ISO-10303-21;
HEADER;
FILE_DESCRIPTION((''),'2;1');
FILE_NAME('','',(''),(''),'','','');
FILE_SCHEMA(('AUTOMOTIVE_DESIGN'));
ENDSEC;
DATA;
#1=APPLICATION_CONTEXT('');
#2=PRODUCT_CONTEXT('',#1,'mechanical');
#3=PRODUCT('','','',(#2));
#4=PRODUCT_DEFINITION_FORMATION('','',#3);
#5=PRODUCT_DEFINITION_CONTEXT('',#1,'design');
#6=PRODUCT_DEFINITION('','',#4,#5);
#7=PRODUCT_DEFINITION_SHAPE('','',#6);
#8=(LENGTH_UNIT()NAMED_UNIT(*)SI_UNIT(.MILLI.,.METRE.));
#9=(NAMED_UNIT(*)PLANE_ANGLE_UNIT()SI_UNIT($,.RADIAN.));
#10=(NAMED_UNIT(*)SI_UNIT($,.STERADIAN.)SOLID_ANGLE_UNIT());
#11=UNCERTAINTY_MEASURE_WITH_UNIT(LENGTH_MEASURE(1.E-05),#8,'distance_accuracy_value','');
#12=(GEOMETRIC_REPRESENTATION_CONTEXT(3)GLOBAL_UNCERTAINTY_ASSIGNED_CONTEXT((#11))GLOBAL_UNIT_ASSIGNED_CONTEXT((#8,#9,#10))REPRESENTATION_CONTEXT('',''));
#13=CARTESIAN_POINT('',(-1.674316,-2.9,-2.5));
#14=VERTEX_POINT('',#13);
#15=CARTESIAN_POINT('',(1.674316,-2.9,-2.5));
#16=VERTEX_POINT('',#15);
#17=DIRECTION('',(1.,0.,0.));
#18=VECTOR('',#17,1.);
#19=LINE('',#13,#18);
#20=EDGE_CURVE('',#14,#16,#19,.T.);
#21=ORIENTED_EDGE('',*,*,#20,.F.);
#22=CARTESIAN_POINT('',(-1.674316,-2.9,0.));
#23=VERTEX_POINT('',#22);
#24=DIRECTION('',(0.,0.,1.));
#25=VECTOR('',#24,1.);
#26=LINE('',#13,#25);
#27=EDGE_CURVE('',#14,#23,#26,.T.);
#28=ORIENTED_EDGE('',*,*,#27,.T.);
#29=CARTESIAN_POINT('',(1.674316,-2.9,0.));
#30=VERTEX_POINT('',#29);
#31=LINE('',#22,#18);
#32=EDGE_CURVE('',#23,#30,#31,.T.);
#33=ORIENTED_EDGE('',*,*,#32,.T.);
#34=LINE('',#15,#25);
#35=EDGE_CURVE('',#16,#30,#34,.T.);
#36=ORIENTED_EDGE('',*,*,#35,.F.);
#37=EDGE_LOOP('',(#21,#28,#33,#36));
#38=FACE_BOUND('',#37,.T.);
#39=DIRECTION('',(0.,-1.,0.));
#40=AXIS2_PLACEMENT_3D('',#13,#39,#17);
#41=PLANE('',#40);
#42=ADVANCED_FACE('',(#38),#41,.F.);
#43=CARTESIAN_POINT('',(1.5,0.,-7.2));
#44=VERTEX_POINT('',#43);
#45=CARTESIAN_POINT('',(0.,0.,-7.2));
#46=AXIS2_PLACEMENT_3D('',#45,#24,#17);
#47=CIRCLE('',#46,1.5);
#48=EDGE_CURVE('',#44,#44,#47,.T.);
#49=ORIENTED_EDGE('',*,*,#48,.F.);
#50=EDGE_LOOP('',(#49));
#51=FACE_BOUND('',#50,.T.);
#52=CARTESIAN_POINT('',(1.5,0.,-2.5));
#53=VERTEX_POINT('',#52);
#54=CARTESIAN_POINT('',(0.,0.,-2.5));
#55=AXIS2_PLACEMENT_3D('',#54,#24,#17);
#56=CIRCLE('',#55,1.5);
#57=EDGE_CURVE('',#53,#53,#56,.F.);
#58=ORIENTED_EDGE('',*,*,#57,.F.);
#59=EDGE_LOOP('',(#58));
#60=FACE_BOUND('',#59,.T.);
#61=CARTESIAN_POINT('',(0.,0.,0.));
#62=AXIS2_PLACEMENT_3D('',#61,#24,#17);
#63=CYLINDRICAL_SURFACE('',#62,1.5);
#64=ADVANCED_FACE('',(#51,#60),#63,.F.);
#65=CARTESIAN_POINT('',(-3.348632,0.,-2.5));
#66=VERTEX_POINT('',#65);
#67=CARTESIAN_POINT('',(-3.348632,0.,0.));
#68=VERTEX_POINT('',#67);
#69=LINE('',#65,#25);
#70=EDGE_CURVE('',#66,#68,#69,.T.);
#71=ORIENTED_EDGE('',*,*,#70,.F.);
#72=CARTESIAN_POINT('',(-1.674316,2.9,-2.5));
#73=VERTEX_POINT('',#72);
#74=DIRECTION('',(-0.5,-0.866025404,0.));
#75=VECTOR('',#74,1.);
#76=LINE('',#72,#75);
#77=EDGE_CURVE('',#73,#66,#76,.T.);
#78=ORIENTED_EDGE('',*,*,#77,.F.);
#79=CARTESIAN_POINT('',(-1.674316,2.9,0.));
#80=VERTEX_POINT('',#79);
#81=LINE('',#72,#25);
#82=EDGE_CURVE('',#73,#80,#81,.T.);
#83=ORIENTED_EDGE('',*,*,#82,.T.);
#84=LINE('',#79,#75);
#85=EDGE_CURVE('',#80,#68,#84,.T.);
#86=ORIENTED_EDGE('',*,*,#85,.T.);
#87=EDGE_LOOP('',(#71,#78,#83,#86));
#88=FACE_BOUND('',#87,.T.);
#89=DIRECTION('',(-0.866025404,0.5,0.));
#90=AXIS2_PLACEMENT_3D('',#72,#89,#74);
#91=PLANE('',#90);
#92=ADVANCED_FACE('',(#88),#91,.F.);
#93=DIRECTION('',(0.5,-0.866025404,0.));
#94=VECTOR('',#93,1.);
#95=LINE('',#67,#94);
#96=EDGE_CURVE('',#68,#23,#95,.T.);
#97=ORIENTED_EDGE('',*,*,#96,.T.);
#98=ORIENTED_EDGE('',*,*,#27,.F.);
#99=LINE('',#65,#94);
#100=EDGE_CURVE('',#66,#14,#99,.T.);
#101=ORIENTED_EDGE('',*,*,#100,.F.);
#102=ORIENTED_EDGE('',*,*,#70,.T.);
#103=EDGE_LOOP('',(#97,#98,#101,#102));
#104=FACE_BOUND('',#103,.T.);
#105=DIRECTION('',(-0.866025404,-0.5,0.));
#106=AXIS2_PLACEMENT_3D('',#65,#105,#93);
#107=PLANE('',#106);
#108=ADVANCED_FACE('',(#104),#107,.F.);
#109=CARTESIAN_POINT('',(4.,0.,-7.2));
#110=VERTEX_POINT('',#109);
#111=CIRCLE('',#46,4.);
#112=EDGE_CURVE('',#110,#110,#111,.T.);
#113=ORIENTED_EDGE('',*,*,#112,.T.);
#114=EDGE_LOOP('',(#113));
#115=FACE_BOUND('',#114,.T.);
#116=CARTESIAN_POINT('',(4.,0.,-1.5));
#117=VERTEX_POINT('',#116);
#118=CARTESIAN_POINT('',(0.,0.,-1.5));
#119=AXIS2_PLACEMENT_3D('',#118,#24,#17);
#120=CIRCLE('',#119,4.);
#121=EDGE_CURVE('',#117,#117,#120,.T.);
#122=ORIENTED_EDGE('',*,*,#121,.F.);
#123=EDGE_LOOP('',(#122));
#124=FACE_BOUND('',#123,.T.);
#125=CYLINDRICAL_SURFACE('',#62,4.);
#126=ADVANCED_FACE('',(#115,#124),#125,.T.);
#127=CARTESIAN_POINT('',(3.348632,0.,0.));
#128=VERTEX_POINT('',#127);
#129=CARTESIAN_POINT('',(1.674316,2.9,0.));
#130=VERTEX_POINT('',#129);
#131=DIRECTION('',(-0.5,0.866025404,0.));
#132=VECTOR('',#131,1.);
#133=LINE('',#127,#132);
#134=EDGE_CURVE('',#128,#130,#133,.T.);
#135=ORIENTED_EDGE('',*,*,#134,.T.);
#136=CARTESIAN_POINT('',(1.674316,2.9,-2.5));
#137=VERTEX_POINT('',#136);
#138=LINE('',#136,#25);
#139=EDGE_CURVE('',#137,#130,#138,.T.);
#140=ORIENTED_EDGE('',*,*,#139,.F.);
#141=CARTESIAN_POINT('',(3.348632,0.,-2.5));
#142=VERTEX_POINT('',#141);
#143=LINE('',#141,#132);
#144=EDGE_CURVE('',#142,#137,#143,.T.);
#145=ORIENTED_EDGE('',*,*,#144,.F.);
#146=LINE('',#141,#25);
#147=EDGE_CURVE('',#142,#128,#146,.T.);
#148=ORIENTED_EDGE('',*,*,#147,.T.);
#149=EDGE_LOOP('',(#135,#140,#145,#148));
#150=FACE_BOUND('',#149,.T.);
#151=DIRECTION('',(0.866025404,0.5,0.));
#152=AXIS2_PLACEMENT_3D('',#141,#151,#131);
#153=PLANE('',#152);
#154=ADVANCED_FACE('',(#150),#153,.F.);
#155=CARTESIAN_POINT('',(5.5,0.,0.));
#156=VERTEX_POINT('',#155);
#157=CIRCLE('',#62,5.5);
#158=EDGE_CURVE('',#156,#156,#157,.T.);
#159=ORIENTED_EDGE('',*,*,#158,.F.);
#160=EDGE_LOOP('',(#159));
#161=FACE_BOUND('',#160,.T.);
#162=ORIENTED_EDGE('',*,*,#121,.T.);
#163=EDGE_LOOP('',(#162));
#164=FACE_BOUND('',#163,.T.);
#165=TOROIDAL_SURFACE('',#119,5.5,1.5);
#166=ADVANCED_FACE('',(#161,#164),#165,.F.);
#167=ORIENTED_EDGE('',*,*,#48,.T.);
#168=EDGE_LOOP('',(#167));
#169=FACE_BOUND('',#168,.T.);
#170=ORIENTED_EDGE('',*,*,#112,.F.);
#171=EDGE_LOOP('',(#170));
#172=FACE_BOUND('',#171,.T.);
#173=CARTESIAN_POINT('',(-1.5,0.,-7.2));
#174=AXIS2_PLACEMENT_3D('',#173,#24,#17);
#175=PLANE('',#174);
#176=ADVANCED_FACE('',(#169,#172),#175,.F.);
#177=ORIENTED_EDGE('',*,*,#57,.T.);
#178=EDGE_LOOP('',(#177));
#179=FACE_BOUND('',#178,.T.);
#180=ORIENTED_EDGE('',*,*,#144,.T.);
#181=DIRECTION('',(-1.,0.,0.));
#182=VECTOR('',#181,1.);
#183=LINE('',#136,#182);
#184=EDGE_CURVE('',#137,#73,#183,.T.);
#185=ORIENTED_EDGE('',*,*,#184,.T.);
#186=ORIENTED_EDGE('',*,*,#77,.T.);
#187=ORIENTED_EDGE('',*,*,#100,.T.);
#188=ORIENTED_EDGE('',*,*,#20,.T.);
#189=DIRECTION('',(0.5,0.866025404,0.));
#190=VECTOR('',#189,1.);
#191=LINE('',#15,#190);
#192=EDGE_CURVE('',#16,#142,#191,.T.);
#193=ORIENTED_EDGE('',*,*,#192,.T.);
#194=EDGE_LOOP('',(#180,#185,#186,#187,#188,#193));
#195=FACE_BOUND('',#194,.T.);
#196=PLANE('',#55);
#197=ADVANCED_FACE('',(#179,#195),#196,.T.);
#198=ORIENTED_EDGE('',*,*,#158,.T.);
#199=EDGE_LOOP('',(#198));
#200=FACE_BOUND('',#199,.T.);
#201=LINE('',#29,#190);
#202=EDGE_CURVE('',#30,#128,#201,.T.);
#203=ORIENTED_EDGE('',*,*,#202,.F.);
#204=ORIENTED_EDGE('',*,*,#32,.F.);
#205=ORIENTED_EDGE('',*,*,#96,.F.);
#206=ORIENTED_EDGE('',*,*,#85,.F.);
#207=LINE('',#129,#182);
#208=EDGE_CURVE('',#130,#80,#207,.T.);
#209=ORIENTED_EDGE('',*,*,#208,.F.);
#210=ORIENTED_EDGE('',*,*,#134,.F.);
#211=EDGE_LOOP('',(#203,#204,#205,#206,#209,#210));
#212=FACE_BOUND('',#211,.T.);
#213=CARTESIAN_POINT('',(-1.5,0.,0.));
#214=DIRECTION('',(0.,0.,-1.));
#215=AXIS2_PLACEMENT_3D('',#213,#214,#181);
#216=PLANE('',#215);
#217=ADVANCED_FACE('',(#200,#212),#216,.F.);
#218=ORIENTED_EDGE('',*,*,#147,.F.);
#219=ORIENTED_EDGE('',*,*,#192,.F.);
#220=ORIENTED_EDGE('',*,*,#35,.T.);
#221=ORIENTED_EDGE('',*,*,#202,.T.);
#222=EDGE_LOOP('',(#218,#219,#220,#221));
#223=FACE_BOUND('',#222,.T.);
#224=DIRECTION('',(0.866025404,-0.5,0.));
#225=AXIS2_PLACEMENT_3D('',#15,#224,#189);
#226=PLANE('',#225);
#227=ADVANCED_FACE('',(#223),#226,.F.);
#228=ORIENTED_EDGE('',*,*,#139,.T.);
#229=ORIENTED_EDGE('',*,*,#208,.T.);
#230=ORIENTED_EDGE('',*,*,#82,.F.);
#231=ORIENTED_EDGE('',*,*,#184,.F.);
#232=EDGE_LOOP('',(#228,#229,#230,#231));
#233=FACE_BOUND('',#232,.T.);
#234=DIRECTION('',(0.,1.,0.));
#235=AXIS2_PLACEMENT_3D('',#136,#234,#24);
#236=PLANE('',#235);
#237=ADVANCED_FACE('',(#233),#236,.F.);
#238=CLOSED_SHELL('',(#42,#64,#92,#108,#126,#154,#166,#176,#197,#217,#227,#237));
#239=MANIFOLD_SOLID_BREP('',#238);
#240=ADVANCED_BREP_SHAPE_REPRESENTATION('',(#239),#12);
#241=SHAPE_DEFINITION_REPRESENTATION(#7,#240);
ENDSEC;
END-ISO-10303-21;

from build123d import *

# Parameters (mm, degrees)
CUT_EXTRUDE1_DEPTH = 2.5


with BuildPart() as part:
    # Sketch1 → Revolve1 (revolve)
    with BuildSketch(Plane(origin=(0, 0, 0), x_dir=(1, 0, 0), z_dir=(0, 1, 0)), mode=Mode.PRIVATE) as revolve1_sk:
        with BuildLine():
            Line((-1.5, 0), (-4, 0))
            Line((-4, 0), (-5.5, 0))
            ThreePointArc((-5.5, 0), (-4.439339828, 0.439339828), (-4, 1.5))
            Line((-4, 1.5), (-4, 7.2))
            Line((-4, 7.2), (-1.5, 7.2))
            Line((-1.5, 7.2), (-1.5, 0))
        make_face()
    revolve(revolve1_sk.sketch.rotate(Axis((0, 0, 0), (0, 0, -1)), 180), axis=Axis((0, 0, 0), (0, 0, -1)))

    # Sketch2 → Cut-Extrude1 (cut)
    with BuildSketch(Plane.XY):
        Polygon((1.674315781, 2.9), (-1.674315781, 2.9), (-3.348631561, 0), (-1.674315781, -2.9), (1.674315781, -2.9), (3.348631561, 0), align=None)
    extrude(amount=-CUT_EXTRUDE1_DEPTH, mode=Mode.SUBTRACT)


solid = part.part
